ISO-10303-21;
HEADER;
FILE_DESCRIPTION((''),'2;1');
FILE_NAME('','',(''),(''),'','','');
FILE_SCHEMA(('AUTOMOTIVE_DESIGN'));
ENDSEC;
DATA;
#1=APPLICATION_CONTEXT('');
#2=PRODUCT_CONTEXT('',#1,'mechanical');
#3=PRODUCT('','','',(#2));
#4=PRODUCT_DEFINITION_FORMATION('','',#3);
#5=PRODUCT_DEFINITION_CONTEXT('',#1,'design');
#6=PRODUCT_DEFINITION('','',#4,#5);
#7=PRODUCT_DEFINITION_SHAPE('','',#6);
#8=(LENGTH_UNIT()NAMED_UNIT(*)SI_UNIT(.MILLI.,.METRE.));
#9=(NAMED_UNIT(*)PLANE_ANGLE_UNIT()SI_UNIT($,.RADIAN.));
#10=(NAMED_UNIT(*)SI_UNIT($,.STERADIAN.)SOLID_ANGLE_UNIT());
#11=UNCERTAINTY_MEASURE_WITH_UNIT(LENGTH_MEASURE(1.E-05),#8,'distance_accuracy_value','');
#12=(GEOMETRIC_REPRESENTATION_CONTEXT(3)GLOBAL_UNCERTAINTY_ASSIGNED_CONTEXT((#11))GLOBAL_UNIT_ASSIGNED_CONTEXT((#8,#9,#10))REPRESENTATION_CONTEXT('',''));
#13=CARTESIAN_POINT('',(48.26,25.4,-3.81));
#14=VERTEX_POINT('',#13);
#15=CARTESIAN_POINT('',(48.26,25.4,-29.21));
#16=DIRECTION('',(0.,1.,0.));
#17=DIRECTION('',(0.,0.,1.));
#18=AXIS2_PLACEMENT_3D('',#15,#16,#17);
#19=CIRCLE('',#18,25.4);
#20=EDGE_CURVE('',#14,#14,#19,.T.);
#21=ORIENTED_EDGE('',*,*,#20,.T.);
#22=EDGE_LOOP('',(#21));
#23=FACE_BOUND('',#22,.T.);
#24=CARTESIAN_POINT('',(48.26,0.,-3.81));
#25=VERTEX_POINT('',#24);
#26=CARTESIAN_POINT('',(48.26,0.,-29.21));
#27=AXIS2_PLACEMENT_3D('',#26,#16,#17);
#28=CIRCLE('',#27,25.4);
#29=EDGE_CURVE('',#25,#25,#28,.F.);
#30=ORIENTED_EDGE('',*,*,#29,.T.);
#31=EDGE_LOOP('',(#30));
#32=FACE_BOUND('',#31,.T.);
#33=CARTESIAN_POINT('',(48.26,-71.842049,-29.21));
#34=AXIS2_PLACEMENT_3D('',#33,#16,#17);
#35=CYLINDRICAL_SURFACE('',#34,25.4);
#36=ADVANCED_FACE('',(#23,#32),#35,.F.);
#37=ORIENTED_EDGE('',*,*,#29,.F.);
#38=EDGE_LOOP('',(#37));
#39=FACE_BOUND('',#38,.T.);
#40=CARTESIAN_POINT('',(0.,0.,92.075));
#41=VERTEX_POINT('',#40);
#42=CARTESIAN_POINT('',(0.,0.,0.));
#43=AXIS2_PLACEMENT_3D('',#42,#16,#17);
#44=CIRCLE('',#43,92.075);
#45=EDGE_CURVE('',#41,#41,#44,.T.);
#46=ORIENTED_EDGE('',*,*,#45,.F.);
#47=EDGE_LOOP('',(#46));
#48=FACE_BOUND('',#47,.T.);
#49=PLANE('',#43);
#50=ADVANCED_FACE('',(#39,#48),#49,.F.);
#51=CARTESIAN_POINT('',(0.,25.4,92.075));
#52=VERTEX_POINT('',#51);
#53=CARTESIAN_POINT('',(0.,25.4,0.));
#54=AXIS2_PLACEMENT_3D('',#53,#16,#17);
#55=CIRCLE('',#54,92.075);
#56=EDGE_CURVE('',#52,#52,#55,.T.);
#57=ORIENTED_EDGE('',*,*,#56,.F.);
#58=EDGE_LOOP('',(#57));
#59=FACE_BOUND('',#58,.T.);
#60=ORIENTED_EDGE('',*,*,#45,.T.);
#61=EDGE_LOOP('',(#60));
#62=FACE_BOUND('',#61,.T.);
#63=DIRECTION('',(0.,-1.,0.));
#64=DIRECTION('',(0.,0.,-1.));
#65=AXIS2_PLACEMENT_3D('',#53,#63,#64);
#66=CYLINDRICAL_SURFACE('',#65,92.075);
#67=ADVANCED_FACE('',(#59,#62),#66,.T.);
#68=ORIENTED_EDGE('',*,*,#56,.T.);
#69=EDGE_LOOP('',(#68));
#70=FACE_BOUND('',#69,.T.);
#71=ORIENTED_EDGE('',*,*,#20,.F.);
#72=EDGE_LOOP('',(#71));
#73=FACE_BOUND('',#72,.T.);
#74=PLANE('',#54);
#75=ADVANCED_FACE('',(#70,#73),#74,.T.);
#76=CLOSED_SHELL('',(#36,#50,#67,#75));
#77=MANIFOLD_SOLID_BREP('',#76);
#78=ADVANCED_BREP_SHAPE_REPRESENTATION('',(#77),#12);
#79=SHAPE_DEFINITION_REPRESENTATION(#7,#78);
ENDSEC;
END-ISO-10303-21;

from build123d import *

# Parameters (mm, degrees)
SKETCH1_R           = 92.075
BOSS_EXTRUDE1_DEPTH = 25.4
SKETCH2_R           = 25.4
CUT_EXTRUDE1_DEPTH  = 25.4


with BuildPart() as part:
    # Sketch1 → Boss-Extrude1 (new body)
    with BuildSketch(Plane(origin=(0, 0, 0), x_dir=(1, 0, 0), z_dir=(0, 1, 0))):
        with Locations(Location((0, 0, 0), (0, 0, 270))):
            Circle(SKETCH1_R)
    extrude(amount=BOSS_EXTRUDE1_DEPTH)

    # Sketch2 → Cut-Extrude1 (cut)
    with BuildSketch(Plane(origin=(0, 25.4, 0), x_dir=(1, 0, 0), z_dir=(0, 1, 0))):
        with Locations(Location((48.26, 29.21, 0), (0, 0, 270))):
            Circle(SKETCH2_R)
    extrude(amount=-CUT_EXTRUDE1_DEPTH, mode=Mode.SUBTRACT)


solid = part.part
